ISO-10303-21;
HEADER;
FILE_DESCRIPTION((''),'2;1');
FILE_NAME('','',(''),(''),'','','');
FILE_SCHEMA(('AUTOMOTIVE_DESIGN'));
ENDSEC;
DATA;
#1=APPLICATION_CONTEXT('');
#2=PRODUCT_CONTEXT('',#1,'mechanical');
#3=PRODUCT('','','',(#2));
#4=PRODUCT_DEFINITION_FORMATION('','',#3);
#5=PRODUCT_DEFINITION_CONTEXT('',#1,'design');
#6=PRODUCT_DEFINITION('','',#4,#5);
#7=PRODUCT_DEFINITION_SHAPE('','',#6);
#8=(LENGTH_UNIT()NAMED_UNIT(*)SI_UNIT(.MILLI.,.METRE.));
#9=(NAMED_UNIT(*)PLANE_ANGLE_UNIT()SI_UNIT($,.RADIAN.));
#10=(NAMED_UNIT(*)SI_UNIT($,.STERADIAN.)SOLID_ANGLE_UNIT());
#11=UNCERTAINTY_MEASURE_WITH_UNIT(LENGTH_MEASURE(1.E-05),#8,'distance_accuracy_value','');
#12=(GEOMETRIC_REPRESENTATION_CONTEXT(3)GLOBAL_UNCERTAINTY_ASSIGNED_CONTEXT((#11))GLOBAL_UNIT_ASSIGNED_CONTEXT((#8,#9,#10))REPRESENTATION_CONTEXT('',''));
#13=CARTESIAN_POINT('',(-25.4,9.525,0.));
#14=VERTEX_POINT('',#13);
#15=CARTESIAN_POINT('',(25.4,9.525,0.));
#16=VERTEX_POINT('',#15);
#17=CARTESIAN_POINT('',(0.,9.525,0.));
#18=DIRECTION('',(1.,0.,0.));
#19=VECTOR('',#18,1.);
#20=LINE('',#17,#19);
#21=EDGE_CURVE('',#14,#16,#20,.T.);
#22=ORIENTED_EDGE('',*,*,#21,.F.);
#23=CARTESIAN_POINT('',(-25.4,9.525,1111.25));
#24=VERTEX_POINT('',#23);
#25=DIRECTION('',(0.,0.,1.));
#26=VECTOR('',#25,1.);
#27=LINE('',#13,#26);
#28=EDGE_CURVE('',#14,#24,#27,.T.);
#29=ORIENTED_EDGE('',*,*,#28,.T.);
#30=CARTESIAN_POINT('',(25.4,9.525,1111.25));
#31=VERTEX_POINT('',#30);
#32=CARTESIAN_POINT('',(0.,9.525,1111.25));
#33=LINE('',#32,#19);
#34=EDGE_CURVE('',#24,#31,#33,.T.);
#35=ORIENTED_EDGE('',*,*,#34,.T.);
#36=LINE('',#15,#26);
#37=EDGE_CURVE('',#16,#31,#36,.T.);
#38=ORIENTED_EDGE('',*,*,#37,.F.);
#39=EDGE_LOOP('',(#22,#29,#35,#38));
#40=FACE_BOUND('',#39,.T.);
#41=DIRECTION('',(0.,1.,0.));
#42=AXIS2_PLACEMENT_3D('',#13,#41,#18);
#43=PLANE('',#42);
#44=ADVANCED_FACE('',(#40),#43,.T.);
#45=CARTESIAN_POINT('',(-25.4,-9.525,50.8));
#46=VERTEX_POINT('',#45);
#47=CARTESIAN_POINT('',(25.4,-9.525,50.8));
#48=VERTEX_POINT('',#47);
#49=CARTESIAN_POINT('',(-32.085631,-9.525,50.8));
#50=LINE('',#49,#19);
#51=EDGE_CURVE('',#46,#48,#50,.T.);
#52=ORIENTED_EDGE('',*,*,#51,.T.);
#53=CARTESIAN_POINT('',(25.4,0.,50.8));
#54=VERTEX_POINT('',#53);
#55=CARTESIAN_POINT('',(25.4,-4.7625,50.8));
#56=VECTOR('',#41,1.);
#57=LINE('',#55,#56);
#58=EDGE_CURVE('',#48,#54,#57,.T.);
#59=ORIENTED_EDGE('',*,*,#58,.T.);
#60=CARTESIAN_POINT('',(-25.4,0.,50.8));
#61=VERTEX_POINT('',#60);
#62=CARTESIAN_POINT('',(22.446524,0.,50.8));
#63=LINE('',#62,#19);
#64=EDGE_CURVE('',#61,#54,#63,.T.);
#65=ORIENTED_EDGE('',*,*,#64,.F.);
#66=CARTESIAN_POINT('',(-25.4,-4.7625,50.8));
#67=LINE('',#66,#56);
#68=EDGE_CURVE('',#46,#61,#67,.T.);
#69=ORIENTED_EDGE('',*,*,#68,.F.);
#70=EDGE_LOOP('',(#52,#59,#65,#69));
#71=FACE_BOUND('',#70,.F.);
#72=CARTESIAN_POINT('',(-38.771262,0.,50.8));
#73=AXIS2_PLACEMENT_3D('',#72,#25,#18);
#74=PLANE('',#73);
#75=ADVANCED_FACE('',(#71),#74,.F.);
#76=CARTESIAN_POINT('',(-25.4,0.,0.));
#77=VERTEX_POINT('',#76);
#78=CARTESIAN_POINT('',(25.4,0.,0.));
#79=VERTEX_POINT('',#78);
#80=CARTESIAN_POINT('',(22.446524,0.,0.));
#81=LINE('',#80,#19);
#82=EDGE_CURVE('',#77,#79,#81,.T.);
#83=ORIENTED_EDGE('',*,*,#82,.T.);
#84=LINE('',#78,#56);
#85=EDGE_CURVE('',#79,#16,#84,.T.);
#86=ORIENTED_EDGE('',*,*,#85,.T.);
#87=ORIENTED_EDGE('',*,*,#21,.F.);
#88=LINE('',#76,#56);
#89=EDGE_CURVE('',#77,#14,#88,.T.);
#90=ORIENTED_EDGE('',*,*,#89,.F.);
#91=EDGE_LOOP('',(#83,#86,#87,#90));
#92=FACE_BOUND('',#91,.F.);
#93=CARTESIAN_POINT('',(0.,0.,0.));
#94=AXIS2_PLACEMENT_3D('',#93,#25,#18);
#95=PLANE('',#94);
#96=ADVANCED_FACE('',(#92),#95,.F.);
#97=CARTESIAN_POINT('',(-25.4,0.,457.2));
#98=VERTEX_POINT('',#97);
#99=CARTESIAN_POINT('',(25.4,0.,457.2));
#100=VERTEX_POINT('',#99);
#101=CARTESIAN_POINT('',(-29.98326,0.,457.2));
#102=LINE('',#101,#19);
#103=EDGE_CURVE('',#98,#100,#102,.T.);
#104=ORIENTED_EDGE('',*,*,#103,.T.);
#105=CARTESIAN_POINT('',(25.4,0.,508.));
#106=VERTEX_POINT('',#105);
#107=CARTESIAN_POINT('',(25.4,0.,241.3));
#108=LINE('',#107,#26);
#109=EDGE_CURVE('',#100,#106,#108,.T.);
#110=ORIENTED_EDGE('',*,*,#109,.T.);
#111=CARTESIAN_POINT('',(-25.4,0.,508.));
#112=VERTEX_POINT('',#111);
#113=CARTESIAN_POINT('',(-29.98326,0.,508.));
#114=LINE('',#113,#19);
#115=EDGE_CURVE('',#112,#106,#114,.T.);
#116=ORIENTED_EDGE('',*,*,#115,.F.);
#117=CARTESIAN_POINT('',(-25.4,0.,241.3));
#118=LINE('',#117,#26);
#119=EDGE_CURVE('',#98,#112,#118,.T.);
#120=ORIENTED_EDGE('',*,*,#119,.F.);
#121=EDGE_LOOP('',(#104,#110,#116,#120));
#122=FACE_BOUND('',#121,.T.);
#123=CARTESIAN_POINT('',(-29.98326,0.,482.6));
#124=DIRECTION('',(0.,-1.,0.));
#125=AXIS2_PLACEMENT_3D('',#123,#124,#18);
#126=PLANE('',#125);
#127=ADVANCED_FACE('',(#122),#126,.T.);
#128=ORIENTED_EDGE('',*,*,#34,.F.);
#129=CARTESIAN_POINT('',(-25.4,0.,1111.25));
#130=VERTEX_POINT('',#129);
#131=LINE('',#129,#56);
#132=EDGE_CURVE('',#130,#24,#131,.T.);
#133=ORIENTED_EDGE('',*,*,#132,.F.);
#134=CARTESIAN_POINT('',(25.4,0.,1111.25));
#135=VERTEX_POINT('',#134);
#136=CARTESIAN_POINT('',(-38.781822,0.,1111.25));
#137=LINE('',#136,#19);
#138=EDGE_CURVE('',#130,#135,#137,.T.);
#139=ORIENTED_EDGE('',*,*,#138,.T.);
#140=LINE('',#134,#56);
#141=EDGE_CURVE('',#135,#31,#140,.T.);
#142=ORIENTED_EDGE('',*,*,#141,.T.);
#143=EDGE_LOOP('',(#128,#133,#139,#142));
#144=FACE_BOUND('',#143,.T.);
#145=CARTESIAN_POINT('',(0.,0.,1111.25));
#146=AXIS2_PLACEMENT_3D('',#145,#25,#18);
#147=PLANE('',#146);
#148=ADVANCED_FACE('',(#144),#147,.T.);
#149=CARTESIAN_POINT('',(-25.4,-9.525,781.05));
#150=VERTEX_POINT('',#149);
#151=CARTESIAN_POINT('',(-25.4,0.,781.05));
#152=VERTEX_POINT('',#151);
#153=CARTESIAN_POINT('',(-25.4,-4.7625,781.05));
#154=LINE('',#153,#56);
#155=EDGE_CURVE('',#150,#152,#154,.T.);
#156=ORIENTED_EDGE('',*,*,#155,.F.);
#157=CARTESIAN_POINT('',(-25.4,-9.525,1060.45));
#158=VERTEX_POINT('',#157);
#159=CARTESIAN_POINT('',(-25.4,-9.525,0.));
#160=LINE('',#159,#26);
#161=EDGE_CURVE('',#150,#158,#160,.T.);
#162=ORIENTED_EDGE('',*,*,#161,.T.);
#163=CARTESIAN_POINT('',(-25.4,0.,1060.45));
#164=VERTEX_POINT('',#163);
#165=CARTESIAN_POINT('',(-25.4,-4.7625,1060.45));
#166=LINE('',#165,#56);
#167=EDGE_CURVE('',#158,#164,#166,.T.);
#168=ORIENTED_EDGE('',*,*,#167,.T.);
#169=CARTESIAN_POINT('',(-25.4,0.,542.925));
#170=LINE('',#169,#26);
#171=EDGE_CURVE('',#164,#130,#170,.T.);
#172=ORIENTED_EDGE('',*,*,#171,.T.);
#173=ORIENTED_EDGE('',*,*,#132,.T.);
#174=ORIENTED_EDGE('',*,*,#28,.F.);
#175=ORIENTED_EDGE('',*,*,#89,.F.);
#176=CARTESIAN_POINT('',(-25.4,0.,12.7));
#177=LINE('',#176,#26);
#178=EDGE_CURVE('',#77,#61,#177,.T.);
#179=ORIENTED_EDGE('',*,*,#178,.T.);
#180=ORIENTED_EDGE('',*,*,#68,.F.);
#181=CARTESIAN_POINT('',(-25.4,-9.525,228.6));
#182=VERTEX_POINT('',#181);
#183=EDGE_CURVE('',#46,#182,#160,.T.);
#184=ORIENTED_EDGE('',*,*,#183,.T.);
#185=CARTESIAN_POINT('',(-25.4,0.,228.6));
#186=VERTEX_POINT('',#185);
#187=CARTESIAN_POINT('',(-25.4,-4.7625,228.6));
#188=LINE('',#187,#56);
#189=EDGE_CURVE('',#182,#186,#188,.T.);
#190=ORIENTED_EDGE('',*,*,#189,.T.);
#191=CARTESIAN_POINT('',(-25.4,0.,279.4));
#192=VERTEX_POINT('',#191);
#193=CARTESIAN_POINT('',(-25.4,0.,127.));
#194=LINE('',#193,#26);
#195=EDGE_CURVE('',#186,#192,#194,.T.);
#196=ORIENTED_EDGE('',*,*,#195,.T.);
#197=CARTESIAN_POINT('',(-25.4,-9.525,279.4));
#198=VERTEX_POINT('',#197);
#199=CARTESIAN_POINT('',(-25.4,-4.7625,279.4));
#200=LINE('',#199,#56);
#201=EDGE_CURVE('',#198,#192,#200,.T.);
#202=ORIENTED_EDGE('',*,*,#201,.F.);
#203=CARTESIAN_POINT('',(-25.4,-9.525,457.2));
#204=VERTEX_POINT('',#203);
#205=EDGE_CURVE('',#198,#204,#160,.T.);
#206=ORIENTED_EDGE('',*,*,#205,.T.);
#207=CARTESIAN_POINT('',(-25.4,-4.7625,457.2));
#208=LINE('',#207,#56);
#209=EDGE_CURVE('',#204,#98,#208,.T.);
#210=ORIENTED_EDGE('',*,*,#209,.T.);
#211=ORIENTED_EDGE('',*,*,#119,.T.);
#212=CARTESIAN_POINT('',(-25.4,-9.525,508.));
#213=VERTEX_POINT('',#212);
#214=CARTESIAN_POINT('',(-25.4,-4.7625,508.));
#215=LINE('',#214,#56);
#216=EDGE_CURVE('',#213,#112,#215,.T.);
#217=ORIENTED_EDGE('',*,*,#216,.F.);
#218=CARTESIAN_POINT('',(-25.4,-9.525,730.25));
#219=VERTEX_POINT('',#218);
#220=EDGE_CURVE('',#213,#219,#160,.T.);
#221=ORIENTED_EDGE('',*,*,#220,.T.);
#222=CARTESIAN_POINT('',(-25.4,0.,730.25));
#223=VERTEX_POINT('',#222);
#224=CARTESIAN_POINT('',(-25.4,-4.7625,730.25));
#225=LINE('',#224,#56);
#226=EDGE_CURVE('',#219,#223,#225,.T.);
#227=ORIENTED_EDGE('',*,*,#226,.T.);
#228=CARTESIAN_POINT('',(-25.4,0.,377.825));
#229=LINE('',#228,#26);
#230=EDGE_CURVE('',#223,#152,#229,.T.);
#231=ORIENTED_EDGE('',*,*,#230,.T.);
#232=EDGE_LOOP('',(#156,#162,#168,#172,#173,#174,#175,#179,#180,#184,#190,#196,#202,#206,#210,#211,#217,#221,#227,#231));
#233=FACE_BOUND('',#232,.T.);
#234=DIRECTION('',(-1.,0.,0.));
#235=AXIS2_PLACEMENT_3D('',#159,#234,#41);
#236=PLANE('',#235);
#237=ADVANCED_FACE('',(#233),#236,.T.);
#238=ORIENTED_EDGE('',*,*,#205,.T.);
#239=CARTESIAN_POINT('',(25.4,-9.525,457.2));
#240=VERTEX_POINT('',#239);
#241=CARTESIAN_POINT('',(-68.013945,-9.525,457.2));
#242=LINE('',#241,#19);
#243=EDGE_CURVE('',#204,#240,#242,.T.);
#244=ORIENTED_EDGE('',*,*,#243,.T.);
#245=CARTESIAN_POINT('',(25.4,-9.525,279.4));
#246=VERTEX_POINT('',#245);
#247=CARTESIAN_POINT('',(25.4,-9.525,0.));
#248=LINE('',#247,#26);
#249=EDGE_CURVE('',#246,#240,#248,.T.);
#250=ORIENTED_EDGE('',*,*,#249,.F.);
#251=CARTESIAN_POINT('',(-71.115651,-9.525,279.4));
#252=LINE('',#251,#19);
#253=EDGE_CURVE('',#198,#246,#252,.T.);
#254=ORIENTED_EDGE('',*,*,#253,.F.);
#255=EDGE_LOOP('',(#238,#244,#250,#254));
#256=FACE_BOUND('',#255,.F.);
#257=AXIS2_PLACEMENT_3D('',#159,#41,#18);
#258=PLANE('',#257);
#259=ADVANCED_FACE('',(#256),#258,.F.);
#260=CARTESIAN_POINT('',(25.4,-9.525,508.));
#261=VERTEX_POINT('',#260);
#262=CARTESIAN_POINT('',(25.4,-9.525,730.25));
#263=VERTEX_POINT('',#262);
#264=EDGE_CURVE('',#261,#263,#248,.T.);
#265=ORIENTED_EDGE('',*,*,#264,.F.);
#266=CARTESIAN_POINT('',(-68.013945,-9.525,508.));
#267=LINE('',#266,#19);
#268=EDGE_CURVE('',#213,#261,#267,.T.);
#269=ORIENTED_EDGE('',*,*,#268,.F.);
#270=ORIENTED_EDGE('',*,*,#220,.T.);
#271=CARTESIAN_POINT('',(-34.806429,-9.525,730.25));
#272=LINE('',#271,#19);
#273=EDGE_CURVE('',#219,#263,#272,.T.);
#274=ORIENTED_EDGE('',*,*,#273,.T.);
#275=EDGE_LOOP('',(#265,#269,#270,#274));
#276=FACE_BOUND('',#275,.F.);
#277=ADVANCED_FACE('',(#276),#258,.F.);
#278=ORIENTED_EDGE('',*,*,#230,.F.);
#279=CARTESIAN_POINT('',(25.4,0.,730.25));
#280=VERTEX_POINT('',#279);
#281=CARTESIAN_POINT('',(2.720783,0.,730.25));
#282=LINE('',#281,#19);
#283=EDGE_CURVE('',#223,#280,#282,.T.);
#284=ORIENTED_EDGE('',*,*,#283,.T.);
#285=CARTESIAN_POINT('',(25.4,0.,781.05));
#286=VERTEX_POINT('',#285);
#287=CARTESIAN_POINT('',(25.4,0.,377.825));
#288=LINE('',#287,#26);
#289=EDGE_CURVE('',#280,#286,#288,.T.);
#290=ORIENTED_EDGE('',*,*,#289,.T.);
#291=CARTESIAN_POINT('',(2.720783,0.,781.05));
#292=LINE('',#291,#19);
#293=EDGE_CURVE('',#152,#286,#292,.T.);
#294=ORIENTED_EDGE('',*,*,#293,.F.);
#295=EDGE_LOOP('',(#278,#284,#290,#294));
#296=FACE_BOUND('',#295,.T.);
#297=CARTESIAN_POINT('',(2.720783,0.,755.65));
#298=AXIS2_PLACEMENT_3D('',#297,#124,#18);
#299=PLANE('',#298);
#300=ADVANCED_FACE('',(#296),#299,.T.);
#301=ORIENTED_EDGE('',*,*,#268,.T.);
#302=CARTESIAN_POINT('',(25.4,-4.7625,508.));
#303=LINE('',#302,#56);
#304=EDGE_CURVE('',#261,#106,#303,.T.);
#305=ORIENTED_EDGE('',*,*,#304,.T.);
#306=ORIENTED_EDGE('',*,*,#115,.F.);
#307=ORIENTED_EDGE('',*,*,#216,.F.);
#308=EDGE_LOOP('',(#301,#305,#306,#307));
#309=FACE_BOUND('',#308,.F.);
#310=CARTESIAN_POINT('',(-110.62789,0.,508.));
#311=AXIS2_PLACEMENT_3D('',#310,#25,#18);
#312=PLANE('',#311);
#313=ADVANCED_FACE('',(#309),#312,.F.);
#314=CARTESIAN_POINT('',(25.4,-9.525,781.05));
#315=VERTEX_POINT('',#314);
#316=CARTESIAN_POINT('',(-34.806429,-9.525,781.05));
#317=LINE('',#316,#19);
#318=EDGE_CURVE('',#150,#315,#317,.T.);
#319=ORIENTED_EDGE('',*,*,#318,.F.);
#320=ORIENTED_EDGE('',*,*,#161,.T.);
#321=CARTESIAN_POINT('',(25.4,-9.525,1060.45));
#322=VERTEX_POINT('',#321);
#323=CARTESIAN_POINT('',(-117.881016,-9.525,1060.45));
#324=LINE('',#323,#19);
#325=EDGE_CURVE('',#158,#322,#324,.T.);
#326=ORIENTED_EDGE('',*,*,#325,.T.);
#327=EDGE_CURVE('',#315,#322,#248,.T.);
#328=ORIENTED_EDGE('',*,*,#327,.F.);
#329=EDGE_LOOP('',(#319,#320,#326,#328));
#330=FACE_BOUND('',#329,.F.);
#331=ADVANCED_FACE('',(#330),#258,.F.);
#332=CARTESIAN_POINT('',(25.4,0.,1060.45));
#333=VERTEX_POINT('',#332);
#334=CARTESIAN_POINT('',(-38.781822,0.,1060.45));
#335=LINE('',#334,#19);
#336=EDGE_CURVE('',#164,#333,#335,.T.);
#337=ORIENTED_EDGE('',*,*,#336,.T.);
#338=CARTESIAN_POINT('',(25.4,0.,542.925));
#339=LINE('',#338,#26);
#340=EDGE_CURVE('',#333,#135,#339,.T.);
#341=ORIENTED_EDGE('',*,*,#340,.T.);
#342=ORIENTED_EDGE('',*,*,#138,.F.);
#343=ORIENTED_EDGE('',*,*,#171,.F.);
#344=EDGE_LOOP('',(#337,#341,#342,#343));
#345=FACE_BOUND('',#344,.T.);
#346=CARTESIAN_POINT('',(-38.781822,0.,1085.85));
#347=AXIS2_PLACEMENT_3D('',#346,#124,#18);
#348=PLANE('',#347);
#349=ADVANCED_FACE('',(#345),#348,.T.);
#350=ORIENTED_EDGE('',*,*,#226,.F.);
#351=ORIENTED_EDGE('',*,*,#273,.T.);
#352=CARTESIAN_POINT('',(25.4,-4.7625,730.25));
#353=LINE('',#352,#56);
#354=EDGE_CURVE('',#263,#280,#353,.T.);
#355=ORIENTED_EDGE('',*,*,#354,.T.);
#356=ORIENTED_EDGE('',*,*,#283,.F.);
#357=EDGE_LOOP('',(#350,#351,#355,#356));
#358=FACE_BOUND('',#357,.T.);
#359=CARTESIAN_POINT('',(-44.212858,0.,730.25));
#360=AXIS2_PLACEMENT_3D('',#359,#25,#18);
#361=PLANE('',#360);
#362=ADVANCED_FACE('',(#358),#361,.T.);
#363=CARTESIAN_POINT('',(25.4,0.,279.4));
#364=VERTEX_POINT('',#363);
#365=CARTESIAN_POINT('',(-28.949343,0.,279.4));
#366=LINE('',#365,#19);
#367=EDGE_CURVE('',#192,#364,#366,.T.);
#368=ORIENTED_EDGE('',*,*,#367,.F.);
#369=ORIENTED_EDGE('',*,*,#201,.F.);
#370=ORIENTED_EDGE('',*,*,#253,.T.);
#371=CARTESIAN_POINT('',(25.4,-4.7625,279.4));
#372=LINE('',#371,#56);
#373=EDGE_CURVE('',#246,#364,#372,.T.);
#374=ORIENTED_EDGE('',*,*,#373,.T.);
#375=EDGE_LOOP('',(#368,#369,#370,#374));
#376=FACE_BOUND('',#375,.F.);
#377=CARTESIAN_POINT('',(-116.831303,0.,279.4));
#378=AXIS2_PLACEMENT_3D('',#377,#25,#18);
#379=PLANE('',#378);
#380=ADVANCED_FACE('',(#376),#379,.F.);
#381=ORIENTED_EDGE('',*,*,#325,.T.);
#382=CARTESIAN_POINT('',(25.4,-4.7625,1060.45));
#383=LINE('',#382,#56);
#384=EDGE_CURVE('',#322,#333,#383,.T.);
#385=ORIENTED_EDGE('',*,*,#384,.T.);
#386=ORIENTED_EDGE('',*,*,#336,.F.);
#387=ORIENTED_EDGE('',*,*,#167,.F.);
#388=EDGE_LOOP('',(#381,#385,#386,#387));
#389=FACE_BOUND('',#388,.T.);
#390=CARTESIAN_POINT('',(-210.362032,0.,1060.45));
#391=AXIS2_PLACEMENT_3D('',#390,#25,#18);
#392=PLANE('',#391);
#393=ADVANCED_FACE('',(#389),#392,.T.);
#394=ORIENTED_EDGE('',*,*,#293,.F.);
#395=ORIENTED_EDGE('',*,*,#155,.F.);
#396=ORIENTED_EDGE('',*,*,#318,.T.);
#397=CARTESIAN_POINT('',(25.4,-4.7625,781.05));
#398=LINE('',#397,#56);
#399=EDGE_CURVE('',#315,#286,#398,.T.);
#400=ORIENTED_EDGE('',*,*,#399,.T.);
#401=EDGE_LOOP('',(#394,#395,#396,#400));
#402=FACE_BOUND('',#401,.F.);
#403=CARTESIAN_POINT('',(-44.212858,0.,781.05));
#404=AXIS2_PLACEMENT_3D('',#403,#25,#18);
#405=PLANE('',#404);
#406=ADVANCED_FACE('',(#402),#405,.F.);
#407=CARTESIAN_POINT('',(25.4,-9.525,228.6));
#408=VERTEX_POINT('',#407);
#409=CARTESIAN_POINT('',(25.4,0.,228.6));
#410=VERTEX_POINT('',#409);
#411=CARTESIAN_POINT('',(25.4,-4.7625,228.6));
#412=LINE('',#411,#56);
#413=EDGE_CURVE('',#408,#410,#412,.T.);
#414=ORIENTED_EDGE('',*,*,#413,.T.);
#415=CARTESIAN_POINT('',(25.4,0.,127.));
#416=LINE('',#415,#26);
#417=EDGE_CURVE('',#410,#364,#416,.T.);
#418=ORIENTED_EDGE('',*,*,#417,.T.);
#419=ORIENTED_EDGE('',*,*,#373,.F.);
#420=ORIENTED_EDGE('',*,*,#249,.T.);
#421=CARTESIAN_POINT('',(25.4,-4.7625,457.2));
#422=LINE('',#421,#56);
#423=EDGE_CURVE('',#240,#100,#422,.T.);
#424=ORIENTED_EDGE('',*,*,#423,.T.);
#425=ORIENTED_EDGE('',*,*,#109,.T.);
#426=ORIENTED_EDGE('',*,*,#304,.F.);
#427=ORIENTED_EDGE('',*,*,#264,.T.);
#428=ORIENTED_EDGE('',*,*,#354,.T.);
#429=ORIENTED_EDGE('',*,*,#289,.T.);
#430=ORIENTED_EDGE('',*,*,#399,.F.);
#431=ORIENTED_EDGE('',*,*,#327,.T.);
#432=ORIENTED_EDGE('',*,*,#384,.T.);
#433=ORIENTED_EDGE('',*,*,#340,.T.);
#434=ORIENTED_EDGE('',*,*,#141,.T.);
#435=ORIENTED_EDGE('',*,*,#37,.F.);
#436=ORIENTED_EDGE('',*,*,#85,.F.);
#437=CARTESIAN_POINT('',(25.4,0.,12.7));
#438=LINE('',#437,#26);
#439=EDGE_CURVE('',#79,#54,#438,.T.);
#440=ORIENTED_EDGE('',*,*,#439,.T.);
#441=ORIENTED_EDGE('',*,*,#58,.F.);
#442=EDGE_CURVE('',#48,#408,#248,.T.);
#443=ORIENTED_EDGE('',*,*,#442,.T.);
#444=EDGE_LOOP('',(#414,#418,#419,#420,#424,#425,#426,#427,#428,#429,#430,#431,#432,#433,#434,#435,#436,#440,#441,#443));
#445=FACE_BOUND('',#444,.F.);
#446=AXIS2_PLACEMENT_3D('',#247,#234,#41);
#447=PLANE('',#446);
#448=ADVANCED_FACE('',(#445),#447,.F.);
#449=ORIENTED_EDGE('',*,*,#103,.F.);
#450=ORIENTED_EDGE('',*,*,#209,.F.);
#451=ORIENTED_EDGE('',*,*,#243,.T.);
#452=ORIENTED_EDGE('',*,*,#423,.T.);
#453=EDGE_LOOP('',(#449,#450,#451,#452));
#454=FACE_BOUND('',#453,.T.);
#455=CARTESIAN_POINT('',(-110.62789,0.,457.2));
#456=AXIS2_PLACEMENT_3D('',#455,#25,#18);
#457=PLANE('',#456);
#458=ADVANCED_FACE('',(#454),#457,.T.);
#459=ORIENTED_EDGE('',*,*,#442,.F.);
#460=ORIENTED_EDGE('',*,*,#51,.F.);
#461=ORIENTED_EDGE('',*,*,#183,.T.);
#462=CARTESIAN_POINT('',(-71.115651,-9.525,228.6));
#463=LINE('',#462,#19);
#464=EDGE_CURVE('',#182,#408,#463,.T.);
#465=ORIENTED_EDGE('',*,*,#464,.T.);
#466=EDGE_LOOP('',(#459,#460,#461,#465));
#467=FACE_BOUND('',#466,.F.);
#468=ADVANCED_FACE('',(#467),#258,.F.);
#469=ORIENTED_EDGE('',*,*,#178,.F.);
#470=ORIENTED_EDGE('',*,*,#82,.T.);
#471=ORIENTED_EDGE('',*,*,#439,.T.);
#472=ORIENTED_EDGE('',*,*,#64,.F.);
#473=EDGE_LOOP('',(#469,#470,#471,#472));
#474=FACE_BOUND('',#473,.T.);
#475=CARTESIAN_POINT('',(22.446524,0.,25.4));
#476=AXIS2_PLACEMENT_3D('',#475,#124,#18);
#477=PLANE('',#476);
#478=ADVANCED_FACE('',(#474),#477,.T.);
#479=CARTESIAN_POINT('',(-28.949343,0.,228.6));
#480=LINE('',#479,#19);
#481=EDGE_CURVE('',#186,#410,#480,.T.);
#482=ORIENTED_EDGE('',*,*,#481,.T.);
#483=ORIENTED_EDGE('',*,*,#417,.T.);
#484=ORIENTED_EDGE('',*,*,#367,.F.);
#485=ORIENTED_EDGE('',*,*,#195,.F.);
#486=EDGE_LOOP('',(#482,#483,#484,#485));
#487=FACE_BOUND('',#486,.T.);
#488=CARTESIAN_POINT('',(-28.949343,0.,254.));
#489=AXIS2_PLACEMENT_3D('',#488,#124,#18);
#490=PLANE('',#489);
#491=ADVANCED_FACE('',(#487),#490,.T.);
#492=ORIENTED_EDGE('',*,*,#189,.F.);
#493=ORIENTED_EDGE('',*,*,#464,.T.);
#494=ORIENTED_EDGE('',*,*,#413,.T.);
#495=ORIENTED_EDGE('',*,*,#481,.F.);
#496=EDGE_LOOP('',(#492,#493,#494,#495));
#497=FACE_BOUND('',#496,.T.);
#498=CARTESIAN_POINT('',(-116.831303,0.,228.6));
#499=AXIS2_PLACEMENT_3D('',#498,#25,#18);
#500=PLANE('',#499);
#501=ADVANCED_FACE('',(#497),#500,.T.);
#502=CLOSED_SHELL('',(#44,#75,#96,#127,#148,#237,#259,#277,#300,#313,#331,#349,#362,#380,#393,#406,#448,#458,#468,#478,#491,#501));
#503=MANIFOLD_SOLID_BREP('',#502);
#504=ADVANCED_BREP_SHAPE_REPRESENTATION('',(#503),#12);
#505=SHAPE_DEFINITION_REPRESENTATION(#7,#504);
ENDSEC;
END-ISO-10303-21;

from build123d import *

# Parameters (mm, degrees)
F0_W     = 50.8
F0_H     = 19.05
F1_DEPTH = 1111.25
F2_W     = 122.435573
F2_H     = 50.8
F2_W_2   = 93.867282
F2_W_3   = 343.160421
F2_W_4   = 175.76392
F2_W_5   = 161.28926
F3_DEPTH = 25.4
F4_R     = 4.7625
F5_DEPTH = 25.4


with BuildPart() as f1:
    # F0 (on Top) → F1 (new body)
    with BuildSketch(Plane.XY):
        Rectangle(F0_W, F0_H)
    extrude(amount=F1_DEPTH)

    # F2 (on Front) → F3 (cut)
    with BuildSketch(Plane.XZ):
        with Locations((22.446524, 25.4)):
            Rectangle(F2_W, F2_H)
        with Locations((2.720783, 755.65)):
            Rectangle(F2_W_2, F2_H)
        with Locations((-38.781822, 1085.85)):
            Rectangle(F2_W_3, F2_H)
        with Locations((-28.949343, 254)):
            Rectangle(F2_W_4, F2_H)
        with Locations((-29.98326, 482.6)):
            Rectangle(F2_W_5, F2_H)
    extrude(amount=F3_DEPTH, mode=Mode.SUBTRACT)

    # F4 (on Front) → F5 (cut)
    with BuildSketch(Plane.XZ):
        with Locations((15.875, 254)):
            Circle(F4_R)
        with Locations((15.875, 482.6)):
            Circle(F4_R)
    extrude(amount=F5_DEPTH, mode=Mode.SUBTRACT)


solid = f1.part
